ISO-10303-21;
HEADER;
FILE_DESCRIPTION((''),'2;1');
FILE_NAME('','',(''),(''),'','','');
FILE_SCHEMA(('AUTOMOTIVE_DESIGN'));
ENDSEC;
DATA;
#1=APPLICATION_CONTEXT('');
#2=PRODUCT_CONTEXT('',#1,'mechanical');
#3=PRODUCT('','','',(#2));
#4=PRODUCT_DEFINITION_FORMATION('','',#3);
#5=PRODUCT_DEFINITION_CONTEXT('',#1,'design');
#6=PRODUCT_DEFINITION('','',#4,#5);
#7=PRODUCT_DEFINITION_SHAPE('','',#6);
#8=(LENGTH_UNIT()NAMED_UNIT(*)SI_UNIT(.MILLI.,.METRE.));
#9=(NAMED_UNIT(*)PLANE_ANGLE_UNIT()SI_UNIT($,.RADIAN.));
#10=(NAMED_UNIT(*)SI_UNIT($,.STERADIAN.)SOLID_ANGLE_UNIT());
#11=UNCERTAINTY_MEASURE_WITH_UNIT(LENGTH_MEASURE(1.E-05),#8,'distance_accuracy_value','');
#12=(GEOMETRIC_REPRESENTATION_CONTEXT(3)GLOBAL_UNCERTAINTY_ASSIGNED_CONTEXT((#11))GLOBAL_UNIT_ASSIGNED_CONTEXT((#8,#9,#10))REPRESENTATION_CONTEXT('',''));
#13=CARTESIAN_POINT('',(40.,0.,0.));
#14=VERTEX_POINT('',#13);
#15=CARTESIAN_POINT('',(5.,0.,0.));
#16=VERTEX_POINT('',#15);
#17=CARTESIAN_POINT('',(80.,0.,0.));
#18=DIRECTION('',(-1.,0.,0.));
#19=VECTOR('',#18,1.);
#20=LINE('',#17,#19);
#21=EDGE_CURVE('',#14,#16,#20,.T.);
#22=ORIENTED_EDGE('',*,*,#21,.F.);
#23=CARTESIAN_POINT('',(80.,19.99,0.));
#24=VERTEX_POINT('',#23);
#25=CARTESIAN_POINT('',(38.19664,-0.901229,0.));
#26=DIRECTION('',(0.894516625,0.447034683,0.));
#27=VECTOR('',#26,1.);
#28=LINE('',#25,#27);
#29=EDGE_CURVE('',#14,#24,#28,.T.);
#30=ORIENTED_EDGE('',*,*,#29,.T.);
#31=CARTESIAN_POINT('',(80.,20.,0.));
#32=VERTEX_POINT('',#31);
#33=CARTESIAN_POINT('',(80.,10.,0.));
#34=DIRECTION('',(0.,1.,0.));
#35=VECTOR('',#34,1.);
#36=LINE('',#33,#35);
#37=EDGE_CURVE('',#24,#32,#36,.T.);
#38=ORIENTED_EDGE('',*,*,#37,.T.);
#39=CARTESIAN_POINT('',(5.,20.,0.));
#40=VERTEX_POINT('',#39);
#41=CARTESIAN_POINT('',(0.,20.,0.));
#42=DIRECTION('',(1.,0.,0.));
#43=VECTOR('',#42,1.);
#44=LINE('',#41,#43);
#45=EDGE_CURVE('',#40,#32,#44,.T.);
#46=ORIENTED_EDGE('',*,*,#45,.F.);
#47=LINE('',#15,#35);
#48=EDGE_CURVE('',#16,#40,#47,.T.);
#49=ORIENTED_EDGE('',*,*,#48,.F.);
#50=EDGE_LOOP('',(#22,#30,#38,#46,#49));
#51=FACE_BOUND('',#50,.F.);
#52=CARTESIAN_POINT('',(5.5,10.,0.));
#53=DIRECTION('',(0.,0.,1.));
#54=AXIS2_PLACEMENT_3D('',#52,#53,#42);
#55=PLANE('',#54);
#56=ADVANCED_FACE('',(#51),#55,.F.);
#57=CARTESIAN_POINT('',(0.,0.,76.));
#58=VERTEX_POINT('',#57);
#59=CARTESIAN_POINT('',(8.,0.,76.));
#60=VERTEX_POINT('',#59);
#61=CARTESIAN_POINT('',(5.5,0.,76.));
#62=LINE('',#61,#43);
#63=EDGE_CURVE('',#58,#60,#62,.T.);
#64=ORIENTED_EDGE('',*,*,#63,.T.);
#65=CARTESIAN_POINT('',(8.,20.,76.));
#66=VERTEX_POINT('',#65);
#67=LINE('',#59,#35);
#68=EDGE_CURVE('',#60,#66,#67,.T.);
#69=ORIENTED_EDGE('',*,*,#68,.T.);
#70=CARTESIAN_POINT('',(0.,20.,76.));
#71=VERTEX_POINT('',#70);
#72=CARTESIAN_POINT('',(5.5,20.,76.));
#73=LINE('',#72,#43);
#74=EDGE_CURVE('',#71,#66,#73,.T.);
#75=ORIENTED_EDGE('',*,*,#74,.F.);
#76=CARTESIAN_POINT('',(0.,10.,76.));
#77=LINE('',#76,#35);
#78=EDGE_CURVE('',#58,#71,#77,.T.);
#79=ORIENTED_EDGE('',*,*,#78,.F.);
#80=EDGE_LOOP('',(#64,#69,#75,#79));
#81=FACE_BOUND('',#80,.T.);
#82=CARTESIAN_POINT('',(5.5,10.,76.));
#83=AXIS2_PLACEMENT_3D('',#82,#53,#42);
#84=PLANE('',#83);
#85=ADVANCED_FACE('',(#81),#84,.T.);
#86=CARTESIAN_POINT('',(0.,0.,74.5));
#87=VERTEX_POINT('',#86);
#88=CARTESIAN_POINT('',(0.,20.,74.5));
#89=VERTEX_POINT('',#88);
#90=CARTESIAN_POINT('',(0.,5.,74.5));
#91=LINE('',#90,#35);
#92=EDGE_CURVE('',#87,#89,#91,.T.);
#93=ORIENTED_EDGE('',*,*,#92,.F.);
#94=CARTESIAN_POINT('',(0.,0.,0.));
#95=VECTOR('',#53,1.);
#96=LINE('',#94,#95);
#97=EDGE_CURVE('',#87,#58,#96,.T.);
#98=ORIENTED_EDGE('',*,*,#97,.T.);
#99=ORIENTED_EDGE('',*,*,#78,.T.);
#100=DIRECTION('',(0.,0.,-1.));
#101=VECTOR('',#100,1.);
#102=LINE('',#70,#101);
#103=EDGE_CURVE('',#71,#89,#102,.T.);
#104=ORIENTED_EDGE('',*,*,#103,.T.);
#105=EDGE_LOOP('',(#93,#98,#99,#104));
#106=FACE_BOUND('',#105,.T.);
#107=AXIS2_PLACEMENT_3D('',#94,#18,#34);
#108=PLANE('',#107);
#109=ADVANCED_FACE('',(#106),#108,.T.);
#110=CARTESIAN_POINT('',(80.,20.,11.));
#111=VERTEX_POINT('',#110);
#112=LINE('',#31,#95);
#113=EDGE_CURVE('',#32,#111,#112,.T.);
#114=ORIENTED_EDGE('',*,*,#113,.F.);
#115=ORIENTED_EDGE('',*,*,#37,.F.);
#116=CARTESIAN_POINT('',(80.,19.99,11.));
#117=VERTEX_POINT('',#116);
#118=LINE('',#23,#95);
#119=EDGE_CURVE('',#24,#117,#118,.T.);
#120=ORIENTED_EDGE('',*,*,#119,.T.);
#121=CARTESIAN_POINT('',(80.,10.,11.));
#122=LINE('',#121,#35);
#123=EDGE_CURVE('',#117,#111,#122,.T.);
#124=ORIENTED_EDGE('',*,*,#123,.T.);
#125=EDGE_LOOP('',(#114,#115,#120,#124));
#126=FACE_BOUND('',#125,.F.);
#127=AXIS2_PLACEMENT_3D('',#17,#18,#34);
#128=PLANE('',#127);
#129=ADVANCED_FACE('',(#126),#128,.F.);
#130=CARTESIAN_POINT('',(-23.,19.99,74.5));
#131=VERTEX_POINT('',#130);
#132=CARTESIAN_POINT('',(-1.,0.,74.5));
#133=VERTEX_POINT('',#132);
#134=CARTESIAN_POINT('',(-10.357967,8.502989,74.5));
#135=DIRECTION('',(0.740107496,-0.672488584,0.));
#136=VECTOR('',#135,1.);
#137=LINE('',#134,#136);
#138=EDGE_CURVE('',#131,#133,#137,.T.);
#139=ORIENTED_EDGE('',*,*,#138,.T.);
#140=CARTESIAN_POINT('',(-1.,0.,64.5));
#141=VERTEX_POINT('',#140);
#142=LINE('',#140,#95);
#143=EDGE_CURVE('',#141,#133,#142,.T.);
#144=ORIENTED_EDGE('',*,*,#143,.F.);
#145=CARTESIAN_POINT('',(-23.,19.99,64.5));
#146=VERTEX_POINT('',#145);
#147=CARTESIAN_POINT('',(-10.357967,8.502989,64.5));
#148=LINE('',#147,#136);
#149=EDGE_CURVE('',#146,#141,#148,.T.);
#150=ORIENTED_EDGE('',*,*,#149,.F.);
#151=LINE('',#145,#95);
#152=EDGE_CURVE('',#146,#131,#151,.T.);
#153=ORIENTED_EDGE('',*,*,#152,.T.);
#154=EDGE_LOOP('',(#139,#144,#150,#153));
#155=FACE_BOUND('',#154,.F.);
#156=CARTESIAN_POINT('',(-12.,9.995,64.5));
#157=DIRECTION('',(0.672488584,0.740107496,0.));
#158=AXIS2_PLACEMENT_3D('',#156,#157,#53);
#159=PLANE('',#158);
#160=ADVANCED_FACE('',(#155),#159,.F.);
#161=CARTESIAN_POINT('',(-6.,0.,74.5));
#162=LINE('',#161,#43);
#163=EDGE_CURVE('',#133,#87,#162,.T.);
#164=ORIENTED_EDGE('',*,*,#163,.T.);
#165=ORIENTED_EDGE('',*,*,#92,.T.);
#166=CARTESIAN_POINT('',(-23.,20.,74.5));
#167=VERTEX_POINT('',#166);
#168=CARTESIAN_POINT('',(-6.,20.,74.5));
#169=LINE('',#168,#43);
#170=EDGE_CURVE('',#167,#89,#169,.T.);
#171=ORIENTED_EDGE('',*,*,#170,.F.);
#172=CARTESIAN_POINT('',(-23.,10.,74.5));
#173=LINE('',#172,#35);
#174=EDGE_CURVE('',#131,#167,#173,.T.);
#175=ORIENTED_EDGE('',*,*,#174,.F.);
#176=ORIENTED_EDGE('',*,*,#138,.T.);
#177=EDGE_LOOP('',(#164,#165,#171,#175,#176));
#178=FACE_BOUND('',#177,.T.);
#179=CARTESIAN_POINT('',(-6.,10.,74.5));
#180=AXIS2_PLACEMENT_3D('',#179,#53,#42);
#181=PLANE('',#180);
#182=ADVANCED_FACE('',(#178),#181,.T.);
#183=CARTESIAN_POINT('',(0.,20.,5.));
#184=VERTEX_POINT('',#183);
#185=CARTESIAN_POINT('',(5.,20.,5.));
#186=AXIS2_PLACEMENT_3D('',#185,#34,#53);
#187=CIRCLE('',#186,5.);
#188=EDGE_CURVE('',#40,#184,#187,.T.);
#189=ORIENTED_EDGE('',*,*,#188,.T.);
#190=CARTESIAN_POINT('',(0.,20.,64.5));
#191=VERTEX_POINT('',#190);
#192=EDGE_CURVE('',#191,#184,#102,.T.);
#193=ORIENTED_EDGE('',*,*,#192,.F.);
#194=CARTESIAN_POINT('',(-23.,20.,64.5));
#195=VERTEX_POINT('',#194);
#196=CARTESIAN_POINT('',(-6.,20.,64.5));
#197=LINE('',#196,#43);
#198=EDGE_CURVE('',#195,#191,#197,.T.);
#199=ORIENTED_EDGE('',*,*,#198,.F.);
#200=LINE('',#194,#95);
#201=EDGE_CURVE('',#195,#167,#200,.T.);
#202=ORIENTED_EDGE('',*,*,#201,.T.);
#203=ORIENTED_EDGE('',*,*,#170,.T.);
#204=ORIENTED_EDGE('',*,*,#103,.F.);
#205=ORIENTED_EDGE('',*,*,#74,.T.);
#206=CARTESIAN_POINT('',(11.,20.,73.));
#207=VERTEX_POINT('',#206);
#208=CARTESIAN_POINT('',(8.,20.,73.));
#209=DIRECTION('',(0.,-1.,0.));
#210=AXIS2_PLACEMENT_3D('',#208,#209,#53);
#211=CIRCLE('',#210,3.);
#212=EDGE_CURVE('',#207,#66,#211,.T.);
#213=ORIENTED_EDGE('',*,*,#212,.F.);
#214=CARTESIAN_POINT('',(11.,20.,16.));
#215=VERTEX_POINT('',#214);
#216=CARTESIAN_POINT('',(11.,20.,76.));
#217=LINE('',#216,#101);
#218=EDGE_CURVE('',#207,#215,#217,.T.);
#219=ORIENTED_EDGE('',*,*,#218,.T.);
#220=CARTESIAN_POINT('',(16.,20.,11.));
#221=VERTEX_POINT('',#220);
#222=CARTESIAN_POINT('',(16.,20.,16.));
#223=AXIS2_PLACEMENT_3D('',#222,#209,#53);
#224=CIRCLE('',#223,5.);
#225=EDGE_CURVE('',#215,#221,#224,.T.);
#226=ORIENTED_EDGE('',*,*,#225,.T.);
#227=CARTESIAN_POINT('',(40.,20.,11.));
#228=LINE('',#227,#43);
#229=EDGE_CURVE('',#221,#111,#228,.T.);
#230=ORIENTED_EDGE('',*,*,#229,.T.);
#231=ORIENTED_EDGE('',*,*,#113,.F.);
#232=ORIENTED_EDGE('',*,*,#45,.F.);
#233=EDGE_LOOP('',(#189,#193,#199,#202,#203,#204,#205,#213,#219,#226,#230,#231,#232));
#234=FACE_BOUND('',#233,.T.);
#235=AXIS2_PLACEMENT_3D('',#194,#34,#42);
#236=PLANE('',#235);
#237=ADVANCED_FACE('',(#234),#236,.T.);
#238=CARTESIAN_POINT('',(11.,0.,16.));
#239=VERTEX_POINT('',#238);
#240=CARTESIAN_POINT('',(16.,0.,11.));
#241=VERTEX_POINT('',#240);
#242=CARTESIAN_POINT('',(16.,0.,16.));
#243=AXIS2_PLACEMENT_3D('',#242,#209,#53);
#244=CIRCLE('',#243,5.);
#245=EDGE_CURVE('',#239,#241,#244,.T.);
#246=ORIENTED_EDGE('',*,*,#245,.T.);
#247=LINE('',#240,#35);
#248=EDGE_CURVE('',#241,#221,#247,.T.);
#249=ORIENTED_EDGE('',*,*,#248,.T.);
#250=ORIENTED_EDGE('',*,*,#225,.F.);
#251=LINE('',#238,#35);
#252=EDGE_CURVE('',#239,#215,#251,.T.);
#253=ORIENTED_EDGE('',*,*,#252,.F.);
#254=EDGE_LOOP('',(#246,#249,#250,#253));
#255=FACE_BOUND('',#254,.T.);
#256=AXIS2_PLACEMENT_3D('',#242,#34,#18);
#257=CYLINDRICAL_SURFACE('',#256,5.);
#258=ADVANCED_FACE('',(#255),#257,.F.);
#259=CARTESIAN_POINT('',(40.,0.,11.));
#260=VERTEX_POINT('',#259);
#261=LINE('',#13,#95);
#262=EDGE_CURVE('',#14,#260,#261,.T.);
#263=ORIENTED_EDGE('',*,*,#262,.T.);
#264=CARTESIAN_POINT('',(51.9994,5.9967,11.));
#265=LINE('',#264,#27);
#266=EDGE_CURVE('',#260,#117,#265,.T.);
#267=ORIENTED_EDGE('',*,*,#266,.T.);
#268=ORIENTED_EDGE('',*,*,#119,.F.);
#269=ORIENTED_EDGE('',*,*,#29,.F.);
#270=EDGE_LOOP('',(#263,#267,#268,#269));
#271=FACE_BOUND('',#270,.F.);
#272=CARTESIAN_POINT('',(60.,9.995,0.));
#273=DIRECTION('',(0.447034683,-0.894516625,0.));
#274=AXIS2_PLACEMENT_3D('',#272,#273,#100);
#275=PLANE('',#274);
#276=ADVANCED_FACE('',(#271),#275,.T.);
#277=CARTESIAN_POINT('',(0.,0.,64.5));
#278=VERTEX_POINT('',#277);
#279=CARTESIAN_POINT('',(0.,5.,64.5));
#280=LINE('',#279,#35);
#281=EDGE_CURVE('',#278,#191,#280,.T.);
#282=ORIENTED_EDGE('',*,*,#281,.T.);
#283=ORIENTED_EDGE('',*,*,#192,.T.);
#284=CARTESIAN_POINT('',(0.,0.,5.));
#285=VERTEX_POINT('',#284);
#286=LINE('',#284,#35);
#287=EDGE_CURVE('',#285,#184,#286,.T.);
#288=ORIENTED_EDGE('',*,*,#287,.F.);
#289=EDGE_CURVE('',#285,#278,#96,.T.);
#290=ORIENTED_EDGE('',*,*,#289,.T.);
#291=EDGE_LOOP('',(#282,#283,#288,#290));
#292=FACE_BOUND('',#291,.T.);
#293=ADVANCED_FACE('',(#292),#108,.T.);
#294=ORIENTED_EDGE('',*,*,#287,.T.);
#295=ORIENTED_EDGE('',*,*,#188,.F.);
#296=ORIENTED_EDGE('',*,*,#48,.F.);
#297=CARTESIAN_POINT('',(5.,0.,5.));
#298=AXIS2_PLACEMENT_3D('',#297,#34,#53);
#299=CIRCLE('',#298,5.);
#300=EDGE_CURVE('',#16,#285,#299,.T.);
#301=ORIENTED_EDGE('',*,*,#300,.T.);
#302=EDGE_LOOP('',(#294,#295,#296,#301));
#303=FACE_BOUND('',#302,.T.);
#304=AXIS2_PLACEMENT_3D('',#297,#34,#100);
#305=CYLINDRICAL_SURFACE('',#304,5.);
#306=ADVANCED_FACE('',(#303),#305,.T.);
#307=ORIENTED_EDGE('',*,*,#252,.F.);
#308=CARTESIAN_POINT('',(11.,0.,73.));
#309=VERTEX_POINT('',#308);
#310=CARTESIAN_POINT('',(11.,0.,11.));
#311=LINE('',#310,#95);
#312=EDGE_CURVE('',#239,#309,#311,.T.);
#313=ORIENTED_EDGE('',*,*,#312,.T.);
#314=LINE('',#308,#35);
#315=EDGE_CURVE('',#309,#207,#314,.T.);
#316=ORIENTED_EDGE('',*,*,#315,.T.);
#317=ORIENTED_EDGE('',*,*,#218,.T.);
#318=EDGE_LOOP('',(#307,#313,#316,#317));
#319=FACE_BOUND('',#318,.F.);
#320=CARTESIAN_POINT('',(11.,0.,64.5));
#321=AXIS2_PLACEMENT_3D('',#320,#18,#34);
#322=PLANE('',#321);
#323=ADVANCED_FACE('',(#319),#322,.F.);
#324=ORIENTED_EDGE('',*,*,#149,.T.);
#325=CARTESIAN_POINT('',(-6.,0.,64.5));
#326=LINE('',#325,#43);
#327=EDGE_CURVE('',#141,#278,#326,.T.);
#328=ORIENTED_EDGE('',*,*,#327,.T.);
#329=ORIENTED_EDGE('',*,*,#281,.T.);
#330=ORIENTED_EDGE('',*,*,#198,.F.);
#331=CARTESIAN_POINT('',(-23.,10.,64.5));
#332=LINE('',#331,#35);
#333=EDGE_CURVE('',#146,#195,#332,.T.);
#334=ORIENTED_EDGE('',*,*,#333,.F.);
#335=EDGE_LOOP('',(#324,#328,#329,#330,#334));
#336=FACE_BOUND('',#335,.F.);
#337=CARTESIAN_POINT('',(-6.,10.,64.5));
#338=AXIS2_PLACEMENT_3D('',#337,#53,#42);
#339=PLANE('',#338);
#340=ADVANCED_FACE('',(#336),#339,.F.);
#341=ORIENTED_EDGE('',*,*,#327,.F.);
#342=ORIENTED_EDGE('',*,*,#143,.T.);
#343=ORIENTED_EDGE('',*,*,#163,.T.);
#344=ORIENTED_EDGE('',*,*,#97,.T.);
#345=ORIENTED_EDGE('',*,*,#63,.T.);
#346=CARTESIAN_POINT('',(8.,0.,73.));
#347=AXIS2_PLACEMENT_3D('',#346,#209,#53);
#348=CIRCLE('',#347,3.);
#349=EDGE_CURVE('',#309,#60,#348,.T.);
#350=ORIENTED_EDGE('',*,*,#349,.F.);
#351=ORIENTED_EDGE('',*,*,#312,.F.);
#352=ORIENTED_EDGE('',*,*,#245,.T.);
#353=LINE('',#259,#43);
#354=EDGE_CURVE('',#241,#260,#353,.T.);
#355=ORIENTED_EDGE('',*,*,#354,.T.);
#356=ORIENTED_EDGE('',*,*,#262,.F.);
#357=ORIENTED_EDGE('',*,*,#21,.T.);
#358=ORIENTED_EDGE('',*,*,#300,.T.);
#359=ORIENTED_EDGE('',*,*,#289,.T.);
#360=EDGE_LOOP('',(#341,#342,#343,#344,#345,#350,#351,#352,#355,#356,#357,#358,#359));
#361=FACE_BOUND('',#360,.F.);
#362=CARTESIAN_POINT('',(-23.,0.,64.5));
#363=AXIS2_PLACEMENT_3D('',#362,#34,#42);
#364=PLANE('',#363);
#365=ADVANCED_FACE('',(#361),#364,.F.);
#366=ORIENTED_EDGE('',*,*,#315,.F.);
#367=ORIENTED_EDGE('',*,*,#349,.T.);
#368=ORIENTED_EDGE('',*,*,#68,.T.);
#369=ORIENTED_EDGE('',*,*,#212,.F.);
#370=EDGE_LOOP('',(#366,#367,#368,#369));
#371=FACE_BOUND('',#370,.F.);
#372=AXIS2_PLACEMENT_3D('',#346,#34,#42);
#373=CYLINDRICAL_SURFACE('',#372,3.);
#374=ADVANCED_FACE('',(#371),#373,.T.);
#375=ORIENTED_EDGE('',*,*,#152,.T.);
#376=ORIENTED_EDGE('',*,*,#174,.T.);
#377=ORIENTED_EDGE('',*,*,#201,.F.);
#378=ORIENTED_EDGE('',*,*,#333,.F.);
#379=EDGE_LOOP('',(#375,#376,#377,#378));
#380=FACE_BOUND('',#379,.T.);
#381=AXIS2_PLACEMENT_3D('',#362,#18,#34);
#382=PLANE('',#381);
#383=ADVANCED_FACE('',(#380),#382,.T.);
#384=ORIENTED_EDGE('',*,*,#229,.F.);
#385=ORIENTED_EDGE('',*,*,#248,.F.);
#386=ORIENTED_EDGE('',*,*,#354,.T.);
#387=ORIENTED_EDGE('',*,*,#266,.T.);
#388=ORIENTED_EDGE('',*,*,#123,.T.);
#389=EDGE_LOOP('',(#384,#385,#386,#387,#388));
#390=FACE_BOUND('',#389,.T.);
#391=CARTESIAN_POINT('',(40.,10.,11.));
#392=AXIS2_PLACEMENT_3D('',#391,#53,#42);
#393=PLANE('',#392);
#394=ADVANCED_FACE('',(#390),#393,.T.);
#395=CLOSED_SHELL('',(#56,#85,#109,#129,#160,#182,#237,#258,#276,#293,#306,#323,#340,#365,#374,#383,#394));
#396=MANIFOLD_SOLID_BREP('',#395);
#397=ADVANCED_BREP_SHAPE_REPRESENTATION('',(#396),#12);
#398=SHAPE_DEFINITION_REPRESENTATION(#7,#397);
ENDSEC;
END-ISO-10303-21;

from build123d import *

# Parameters (mm, degrees)
BOX088_W                = 80
BOX088_H                = 20
BOX088_DEPTH            = 11
BOX089_W                = 34
BOX089_H                = 20
BOX089_DEPTH            = 10
BOX087_W                = 11
BOX087_H                = 20
BOX087_DEPTH            = 76
FILLET001006007031013_R = 5
FILLET001006007031014_R = 3
CHAMFER_SIZE2           = 22
CHAMFER_SIZE            = 19.99
CHAMFER011006013_SIZE2  = 19.99
CHAMFER011006013_SIZE   = 40


with BuildPart() as cube:
    # Box088 → Box088 (new body)
    with BuildSketch(Plane.XY):
        with Locations((40, 10)):
            Rectangle(BOX088_W, BOX088_H)
    extrude(amount=BOX088_DEPTH)


with BuildPart() as box089:
    # Box089 → Box089 (new body)
    with BuildSketch(Plane(origin=(-23, 0, 64.5), x_dir=(1, 0, 0), z_dir=(0, 0, 1))):
        with Locations((17, 10)):
            Rectangle(BOX089_W, BOX089_H)
    extrude(amount=BOX089_DEPTH)


with BuildPart() as chamfer011006013:
    # Box087 → Box087 (new body)
    with BuildSketch(Plane.XY):
        with Locations((5.5, 10)):
            Rectangle(BOX087_W, BOX087_H)
    extrude(amount=BOX087_DEPTH)

    # Fusion: union Cube, Box089
    add(cube.part)
    add(box089.part)

    # Fillet001006007031013
    fillet001006007031013_edges = [chamfer011006013.edges().sort_by_distance(p)[0] for p in [
        (11, 10, 11),
        (0, 10, 0),
    ]]
    fillet(fillet001006007031013_edges, radius=FILLET001006007031013_R)

    # Fillet001006007031014
    fillet001006007031014_edges = [chamfer011006013.edges().sort_by_distance(p)[0] for p in [
        (11, 10, 76),
    ]]
    fillet(fillet001006007031014_edges, radius=FILLET001006007031014_R)

    # Chamfer
    chamfer_edges = [chamfer011006013.edges().sort_by_distance(p)[0] for p in [
        (-23, 0, 69.5),
    ]]
    chamfer_side = chamfer011006013.faces().sort_by_distance((-23, 10, 69.5))[0]
    chamfer(chamfer_edges, length=CHAMFER_SIZE, length2=CHAMFER_SIZE2, reference=chamfer_side)

    # Chamfer011006013
    chamfer011006013_edges = [chamfer011006013.edges().sort_by_distance(p)[0] for p in [
        (80, 0, 5.5),
    ]]
    chamfer011006013_side = chamfer011006013.faces().sort_by_distance((-0.5, 0, 73.38928))[0]
    chamfer(chamfer011006013_edges, length=CHAMFER011006013_SIZE, length2=CHAMFER011006013_SIZE2, reference=chamfer011006013_side)


solid = chamfer011006013.part
